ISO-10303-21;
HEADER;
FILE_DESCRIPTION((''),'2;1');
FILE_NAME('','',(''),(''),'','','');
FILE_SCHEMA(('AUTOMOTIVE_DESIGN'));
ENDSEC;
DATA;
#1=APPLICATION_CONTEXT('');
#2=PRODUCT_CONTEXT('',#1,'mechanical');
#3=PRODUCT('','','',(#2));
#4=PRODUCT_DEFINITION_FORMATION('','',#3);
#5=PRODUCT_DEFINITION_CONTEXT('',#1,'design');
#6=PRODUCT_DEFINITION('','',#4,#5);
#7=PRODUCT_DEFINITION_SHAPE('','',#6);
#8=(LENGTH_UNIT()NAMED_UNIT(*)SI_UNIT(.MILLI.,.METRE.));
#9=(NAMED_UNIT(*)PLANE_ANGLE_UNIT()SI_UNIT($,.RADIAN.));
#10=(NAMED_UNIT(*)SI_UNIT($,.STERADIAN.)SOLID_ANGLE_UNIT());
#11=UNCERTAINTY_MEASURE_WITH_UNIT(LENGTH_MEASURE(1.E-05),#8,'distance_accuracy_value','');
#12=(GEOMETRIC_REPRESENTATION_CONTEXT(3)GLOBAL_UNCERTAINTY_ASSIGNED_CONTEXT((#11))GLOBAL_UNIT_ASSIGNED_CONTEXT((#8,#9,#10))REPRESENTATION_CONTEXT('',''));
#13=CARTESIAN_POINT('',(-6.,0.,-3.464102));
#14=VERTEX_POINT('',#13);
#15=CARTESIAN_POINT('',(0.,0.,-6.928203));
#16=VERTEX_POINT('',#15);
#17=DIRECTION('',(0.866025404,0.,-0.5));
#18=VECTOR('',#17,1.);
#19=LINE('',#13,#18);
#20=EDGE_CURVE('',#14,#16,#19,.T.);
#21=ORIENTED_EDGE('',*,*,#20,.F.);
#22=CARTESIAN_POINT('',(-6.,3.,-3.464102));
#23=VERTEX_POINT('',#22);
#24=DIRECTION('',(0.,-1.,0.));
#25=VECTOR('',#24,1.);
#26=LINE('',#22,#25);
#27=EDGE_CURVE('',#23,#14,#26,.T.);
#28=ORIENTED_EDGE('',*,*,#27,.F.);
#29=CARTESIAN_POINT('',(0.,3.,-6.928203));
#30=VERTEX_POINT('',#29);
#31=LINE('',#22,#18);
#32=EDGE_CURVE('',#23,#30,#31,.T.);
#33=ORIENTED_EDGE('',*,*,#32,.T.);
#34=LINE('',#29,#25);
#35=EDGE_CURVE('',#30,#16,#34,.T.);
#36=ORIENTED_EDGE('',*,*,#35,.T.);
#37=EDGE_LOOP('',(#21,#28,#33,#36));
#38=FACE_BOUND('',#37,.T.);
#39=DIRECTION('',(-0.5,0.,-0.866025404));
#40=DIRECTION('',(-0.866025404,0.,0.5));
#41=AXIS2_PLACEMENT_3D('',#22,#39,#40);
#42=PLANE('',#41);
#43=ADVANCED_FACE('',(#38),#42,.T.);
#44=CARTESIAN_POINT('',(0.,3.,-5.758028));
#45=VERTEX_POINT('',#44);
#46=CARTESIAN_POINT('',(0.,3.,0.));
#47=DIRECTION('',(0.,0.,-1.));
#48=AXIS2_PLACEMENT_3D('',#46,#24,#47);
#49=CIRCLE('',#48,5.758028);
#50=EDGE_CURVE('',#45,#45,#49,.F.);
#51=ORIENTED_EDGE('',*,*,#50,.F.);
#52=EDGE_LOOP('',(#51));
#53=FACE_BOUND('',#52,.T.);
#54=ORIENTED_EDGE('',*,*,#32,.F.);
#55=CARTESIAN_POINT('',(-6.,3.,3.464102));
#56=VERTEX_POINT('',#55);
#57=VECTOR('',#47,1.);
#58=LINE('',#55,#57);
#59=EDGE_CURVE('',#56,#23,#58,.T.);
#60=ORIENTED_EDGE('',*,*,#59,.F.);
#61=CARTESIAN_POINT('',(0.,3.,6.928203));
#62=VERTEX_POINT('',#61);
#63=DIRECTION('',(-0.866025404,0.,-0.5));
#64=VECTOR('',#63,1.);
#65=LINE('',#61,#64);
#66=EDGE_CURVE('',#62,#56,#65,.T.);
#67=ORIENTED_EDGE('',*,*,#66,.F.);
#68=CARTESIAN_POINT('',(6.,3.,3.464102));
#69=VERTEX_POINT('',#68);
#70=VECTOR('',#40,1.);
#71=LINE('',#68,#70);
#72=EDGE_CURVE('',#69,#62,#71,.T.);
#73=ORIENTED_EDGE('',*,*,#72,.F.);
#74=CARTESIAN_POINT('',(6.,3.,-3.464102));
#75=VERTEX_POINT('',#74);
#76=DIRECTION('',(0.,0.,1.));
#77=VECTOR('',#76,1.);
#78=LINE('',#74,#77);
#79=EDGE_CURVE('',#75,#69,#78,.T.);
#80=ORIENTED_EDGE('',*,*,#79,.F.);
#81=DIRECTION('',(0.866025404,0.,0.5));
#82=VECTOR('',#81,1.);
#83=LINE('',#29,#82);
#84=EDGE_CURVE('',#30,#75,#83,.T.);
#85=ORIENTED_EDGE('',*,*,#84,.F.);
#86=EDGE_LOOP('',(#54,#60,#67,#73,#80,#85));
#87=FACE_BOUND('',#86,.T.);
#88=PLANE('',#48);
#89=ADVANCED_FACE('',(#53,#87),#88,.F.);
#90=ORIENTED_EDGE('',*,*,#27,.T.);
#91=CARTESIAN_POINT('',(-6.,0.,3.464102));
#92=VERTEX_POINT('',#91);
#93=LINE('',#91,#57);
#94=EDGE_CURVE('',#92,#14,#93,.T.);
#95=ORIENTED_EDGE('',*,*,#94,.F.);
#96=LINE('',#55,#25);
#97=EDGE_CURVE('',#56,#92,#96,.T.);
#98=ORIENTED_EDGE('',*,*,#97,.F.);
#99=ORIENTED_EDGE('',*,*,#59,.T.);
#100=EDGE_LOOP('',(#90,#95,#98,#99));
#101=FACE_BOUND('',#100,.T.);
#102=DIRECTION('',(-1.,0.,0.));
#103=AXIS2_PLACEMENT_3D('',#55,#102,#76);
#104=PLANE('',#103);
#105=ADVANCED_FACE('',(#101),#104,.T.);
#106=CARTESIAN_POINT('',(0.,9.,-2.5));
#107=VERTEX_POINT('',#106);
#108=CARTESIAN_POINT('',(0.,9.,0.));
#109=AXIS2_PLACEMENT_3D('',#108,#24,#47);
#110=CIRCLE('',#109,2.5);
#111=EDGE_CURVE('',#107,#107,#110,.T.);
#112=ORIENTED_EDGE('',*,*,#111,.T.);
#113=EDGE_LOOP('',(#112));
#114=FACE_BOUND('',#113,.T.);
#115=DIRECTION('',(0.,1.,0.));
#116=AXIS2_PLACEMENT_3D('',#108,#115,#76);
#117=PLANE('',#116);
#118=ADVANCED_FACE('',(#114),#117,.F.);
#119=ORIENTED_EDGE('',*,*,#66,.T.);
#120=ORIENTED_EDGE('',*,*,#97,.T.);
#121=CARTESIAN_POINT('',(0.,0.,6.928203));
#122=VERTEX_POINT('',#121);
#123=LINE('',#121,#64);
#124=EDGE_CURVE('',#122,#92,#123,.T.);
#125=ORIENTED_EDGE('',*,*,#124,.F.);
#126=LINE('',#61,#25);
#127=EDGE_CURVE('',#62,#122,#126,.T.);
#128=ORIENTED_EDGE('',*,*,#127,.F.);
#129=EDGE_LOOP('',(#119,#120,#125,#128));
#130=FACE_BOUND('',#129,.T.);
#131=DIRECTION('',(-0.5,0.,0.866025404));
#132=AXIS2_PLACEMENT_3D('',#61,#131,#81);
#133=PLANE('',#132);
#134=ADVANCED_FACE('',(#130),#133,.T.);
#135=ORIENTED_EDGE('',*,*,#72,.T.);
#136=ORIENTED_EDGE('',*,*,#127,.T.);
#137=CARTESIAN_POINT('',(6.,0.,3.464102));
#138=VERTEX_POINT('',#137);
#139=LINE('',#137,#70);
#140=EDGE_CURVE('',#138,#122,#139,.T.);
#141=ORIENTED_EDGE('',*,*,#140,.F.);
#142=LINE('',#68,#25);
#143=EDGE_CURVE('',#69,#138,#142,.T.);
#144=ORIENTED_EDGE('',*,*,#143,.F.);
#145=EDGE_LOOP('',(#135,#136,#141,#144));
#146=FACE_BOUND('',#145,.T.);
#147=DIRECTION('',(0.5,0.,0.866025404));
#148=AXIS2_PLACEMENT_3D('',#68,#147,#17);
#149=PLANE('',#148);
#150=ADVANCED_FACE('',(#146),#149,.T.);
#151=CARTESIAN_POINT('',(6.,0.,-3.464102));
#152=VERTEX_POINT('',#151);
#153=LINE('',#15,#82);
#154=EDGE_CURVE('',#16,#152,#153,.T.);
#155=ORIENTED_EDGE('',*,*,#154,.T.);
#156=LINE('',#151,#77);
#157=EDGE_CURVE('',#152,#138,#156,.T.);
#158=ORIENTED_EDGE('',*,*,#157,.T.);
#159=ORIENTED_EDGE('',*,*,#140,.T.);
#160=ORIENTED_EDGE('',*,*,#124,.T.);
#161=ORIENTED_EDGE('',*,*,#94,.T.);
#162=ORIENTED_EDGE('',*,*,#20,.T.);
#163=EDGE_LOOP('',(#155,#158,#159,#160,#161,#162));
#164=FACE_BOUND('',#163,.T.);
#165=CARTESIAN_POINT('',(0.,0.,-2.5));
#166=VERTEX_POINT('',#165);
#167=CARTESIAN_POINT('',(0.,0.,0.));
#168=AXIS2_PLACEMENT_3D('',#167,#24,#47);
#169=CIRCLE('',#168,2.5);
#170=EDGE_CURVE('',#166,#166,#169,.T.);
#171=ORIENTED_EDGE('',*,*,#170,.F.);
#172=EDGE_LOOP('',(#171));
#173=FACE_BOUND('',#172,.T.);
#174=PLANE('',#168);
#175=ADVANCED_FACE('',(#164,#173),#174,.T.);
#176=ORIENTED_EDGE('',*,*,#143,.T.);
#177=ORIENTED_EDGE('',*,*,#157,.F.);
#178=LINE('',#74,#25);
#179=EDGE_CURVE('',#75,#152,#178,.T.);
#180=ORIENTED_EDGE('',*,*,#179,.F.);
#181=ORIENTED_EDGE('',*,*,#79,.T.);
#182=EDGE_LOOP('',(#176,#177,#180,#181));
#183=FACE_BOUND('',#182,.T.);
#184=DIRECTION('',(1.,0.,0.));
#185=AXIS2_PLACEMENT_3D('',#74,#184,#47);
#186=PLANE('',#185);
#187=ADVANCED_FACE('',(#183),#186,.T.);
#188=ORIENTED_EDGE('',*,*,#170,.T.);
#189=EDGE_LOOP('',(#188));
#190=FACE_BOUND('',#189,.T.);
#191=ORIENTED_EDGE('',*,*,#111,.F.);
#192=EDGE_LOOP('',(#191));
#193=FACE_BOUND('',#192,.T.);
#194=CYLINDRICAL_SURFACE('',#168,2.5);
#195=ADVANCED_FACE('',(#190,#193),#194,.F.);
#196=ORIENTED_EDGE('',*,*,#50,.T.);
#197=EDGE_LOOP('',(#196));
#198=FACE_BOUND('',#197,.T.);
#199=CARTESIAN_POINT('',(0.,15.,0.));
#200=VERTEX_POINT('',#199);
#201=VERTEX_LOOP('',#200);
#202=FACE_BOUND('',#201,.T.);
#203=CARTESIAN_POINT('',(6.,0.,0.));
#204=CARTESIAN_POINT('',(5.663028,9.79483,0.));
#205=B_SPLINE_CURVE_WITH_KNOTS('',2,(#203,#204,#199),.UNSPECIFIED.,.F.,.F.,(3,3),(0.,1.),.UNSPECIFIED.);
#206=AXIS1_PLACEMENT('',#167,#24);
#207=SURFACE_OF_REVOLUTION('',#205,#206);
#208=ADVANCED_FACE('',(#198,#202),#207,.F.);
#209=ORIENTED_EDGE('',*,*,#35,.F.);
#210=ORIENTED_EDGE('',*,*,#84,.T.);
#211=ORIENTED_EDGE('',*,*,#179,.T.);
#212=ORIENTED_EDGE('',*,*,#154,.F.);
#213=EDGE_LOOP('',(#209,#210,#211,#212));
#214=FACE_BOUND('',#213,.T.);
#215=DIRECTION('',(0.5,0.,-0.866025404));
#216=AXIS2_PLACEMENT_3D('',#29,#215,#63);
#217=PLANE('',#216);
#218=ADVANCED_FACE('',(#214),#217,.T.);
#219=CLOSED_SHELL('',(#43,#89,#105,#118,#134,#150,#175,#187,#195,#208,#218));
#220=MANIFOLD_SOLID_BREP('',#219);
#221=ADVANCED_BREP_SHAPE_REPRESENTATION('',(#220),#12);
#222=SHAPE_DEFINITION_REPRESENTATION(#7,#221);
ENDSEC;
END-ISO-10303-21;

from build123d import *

# Parameters (mm, degrees)
EXTRUDE_1_DEPTH = 3
M6X1_01_D       = 5
M6X1_01_DEPTH   = 9


with BuildPart() as part:
    # Эскиз1 → Повернуть1 (revolve)
    with BuildSketch(Plane.XY):
        with BuildLine():
            Line((0, 0), (0, 15))
            add(Edge.make_bspline(
                [(0, 15), (5.663028189, 9.794830304), (6, 0)],
                knots=[0, 0, 0, 1, 1, 1], degree=2))
            Line((6, 0), (0, 0))
        make_face()
    revolve(axis=Axis((0, 0, 0), (0, 1, 0)))

    # Эскиз2 → Бобышка-Вытянуть1 (add)
    with BuildSketch(Plane.XZ):
        Polygon((0, 6.92820323), (-6, 3.464101615), (-6, -3.464101615), (0, -6.92820323), (6, -3.464101615), (6, 3.464101615), align=None)
    extrude(amount=-EXTRUDE_1_DEPTH)

    # Отверстие обработанное метчиком M6x1.01
    with Locations(Plane(origin=(0, 0, 0), x_dir=(-1, 0, 0), z_dir=(0, -1, 0))):
        with Locations((0, 0)):
            Hole(M6X1_01_D / 2, depth=M6X1_01_DEPTH)


solid = part.part
